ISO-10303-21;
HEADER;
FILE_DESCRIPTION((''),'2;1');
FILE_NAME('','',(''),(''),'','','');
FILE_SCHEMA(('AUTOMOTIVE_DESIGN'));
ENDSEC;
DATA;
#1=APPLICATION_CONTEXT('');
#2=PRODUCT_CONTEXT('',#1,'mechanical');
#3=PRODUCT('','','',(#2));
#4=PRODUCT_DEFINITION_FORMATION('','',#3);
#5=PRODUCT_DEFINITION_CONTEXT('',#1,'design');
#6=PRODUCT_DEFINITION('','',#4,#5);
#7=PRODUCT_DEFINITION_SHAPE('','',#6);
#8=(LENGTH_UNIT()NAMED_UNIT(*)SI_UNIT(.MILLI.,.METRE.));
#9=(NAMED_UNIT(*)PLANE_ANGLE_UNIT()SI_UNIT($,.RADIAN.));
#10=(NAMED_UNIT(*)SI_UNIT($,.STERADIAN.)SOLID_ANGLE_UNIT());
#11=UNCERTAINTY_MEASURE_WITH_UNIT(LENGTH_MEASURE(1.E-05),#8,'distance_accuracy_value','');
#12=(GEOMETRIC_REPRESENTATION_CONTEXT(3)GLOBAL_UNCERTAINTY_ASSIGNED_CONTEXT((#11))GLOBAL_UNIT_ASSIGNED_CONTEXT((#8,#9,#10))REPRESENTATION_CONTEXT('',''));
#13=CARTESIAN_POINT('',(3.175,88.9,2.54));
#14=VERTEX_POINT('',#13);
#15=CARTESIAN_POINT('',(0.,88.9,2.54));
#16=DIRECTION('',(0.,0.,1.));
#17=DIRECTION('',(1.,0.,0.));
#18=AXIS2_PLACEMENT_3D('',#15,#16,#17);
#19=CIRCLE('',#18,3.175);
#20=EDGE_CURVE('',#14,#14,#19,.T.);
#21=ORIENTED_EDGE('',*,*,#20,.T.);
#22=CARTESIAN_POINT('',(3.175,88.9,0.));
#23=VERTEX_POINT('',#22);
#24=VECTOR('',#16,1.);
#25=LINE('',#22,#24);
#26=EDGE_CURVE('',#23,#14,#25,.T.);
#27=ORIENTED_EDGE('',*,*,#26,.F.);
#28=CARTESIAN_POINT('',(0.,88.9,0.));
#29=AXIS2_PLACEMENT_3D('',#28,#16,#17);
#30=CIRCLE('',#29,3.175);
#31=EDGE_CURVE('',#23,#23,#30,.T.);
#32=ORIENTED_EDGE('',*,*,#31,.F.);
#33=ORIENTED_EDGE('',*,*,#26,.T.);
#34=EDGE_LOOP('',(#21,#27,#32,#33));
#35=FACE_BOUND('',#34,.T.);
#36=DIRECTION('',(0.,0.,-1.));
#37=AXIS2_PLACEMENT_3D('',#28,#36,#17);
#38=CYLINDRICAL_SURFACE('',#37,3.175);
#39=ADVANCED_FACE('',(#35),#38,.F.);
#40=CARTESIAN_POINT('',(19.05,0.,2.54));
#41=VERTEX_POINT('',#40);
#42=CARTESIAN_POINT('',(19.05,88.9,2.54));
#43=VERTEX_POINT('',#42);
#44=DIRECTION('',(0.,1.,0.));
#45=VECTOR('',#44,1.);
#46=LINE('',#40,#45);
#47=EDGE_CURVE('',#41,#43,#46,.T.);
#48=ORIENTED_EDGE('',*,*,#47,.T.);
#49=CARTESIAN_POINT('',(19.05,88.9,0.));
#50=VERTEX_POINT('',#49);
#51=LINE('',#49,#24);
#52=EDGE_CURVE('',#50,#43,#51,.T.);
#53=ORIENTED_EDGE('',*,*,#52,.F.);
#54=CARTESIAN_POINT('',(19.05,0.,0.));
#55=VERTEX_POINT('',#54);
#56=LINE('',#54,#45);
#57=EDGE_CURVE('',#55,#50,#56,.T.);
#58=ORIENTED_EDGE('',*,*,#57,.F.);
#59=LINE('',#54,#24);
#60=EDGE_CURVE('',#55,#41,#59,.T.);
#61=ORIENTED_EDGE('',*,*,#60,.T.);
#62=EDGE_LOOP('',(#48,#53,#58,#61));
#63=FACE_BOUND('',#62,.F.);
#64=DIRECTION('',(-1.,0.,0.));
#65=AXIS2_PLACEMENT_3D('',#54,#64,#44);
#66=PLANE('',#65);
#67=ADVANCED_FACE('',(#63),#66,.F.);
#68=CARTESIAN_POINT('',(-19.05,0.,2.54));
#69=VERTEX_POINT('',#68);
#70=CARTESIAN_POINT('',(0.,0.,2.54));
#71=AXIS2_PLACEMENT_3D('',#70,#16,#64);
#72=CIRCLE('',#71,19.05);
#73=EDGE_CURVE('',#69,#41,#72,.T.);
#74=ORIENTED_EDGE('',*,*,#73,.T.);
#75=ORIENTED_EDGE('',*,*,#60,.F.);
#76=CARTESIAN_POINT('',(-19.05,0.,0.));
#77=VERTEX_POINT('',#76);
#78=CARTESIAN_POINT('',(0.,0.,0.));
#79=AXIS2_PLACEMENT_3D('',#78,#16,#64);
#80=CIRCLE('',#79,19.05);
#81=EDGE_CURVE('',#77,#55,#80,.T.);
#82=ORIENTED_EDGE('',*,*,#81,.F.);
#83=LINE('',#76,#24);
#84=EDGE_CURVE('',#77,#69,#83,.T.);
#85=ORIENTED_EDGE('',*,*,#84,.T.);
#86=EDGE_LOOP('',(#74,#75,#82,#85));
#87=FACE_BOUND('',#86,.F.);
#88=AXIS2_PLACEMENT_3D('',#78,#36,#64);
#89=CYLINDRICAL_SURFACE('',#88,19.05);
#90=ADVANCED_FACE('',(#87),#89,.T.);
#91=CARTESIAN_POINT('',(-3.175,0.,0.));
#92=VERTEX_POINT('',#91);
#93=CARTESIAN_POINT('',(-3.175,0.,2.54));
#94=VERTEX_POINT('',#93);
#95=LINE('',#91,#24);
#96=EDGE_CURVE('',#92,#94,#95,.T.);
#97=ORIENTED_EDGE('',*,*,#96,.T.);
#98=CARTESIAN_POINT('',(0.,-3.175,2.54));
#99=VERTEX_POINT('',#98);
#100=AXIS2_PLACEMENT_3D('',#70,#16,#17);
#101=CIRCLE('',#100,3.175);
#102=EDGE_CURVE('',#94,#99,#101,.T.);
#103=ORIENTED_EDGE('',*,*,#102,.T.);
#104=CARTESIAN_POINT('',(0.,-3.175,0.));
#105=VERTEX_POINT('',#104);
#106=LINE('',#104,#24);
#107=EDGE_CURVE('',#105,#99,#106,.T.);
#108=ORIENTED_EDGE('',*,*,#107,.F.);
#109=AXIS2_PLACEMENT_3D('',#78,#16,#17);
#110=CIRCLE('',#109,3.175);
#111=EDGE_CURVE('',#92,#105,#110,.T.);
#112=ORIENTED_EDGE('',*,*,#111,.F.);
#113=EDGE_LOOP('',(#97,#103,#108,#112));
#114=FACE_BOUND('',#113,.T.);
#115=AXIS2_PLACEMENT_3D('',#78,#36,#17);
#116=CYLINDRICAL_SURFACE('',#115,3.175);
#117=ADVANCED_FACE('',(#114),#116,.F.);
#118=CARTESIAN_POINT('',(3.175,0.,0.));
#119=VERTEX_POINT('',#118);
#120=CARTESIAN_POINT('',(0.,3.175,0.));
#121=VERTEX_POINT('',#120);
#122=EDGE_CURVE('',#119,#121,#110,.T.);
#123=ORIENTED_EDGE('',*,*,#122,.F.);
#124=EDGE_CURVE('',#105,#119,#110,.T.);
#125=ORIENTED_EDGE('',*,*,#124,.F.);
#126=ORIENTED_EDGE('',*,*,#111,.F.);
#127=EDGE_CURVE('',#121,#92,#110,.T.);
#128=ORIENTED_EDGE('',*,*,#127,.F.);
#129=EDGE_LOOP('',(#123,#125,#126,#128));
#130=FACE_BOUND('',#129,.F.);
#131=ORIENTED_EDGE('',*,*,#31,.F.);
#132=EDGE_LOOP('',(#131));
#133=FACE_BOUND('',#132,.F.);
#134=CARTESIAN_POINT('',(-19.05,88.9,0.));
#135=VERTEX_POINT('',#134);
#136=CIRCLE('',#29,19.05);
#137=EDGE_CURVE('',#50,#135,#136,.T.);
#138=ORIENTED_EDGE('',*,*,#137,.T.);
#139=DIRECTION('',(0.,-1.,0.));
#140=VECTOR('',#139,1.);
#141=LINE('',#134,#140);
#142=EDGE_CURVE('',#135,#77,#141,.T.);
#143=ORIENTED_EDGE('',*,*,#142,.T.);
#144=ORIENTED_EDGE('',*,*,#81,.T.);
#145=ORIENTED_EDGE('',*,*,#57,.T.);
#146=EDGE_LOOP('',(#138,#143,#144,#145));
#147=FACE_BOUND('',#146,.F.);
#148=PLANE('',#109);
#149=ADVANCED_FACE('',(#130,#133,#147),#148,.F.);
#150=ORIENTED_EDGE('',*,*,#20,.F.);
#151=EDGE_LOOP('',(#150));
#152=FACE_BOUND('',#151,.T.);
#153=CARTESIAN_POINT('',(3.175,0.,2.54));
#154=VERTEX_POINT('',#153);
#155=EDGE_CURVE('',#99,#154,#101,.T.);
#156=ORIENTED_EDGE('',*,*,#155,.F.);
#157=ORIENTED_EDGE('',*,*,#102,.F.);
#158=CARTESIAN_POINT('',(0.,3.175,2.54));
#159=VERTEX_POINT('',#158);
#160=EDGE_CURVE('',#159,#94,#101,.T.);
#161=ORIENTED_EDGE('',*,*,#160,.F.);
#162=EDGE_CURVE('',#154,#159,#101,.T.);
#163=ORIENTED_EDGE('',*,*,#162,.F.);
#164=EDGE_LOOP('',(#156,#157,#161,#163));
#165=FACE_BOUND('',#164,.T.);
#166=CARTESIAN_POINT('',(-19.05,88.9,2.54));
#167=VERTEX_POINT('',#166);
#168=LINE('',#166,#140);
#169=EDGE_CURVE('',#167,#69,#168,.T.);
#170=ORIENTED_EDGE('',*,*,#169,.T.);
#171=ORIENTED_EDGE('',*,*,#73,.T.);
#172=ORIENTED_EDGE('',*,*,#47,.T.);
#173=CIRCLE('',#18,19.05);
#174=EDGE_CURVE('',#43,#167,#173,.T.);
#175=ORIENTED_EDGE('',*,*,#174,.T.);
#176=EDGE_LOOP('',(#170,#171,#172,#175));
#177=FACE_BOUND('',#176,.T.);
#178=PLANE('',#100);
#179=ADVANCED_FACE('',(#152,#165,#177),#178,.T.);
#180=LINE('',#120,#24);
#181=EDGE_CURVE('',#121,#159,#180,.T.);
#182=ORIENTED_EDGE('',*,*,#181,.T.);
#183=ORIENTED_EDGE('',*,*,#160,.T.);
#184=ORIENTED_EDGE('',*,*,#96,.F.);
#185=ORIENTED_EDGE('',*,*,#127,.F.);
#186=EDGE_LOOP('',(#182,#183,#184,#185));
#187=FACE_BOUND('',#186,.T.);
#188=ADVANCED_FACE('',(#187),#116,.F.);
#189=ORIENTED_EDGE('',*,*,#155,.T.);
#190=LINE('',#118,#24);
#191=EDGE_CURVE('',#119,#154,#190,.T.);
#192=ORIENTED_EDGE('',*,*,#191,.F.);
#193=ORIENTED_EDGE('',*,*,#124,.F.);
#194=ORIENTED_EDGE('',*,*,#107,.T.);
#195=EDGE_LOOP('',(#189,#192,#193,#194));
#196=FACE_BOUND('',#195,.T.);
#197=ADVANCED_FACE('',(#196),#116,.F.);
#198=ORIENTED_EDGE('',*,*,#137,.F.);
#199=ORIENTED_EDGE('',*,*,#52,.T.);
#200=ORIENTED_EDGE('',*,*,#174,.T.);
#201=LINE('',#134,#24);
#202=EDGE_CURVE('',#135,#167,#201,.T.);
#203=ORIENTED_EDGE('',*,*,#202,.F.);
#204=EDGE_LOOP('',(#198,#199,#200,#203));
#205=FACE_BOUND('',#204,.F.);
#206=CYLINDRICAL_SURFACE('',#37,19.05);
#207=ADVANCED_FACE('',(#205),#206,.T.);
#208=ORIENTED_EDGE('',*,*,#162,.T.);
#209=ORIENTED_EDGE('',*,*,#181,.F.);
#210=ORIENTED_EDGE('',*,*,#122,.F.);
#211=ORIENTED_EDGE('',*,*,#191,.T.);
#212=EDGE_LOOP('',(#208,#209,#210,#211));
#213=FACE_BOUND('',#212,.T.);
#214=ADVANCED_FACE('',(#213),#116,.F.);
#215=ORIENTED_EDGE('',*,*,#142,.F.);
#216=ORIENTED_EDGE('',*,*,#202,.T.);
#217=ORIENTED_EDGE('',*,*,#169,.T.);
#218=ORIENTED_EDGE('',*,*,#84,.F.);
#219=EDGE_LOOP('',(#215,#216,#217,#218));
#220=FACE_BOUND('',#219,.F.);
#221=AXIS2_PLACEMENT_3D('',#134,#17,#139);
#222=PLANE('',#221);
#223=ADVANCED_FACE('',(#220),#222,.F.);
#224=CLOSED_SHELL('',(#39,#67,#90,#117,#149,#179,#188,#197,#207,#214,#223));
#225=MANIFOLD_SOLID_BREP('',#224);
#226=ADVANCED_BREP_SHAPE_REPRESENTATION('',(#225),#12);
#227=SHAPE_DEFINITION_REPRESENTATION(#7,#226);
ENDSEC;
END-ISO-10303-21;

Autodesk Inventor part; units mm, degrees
ref_plane "YZ Plane" through (0, 0, 0) normal (1, 0, 0) x (0, 1, 0)
ref_plane "XZ Plane" through (0, 0, 0) normal (0, 1, 0) x (-1, 0, 0)
ref_plane "XY Plane" through (0, 0, 0) normal (0, 0, 1) x (1, 0, 0)
sketch "Sketch1" plane through (0, 0, 0) normal (0, 0, 1) x (1, 0, 0)
  line L0 (0, 0) -> (0, 88.9) construction
  line L1 (19.05, 0) -> (19.05, 88.9)
  line L2 (-19.05, 88.9) -> (-19.05, 0)
  arc A0 (-19.05, 0) -> (19.05, 0) centre (0, 0) ccw
  arc A1 (19.05, 88.9) -> (-19.05, 88.9) centre (0, 88.9) ccw
  circle A2 centre (0, 88.9) radius 3.175
  circle A3 centre (0, 0) radius 3.175
  line L3 (-3.175, 0) -> (-5.715, 0)
  line L4 (0, -3.175) -> (0, -5.715)
  line L5 (3.175, 0) -> (5.715, 0)
  line L6 (0, 3.175) -> (0, 5.715)
  point P0 (0, 44.45)
  dimension "d5" = 6.35
  dimension "d0" = 88.9
  dimension "d1" = 38.1
  dimension "d2" = 6.35
  dimension "d9" = 2.54
  dimension "d12" = 360
extrude "Extrusion1" add sketch "Sketch1" along normal blind 2.54
properties part number "servo_arm"
